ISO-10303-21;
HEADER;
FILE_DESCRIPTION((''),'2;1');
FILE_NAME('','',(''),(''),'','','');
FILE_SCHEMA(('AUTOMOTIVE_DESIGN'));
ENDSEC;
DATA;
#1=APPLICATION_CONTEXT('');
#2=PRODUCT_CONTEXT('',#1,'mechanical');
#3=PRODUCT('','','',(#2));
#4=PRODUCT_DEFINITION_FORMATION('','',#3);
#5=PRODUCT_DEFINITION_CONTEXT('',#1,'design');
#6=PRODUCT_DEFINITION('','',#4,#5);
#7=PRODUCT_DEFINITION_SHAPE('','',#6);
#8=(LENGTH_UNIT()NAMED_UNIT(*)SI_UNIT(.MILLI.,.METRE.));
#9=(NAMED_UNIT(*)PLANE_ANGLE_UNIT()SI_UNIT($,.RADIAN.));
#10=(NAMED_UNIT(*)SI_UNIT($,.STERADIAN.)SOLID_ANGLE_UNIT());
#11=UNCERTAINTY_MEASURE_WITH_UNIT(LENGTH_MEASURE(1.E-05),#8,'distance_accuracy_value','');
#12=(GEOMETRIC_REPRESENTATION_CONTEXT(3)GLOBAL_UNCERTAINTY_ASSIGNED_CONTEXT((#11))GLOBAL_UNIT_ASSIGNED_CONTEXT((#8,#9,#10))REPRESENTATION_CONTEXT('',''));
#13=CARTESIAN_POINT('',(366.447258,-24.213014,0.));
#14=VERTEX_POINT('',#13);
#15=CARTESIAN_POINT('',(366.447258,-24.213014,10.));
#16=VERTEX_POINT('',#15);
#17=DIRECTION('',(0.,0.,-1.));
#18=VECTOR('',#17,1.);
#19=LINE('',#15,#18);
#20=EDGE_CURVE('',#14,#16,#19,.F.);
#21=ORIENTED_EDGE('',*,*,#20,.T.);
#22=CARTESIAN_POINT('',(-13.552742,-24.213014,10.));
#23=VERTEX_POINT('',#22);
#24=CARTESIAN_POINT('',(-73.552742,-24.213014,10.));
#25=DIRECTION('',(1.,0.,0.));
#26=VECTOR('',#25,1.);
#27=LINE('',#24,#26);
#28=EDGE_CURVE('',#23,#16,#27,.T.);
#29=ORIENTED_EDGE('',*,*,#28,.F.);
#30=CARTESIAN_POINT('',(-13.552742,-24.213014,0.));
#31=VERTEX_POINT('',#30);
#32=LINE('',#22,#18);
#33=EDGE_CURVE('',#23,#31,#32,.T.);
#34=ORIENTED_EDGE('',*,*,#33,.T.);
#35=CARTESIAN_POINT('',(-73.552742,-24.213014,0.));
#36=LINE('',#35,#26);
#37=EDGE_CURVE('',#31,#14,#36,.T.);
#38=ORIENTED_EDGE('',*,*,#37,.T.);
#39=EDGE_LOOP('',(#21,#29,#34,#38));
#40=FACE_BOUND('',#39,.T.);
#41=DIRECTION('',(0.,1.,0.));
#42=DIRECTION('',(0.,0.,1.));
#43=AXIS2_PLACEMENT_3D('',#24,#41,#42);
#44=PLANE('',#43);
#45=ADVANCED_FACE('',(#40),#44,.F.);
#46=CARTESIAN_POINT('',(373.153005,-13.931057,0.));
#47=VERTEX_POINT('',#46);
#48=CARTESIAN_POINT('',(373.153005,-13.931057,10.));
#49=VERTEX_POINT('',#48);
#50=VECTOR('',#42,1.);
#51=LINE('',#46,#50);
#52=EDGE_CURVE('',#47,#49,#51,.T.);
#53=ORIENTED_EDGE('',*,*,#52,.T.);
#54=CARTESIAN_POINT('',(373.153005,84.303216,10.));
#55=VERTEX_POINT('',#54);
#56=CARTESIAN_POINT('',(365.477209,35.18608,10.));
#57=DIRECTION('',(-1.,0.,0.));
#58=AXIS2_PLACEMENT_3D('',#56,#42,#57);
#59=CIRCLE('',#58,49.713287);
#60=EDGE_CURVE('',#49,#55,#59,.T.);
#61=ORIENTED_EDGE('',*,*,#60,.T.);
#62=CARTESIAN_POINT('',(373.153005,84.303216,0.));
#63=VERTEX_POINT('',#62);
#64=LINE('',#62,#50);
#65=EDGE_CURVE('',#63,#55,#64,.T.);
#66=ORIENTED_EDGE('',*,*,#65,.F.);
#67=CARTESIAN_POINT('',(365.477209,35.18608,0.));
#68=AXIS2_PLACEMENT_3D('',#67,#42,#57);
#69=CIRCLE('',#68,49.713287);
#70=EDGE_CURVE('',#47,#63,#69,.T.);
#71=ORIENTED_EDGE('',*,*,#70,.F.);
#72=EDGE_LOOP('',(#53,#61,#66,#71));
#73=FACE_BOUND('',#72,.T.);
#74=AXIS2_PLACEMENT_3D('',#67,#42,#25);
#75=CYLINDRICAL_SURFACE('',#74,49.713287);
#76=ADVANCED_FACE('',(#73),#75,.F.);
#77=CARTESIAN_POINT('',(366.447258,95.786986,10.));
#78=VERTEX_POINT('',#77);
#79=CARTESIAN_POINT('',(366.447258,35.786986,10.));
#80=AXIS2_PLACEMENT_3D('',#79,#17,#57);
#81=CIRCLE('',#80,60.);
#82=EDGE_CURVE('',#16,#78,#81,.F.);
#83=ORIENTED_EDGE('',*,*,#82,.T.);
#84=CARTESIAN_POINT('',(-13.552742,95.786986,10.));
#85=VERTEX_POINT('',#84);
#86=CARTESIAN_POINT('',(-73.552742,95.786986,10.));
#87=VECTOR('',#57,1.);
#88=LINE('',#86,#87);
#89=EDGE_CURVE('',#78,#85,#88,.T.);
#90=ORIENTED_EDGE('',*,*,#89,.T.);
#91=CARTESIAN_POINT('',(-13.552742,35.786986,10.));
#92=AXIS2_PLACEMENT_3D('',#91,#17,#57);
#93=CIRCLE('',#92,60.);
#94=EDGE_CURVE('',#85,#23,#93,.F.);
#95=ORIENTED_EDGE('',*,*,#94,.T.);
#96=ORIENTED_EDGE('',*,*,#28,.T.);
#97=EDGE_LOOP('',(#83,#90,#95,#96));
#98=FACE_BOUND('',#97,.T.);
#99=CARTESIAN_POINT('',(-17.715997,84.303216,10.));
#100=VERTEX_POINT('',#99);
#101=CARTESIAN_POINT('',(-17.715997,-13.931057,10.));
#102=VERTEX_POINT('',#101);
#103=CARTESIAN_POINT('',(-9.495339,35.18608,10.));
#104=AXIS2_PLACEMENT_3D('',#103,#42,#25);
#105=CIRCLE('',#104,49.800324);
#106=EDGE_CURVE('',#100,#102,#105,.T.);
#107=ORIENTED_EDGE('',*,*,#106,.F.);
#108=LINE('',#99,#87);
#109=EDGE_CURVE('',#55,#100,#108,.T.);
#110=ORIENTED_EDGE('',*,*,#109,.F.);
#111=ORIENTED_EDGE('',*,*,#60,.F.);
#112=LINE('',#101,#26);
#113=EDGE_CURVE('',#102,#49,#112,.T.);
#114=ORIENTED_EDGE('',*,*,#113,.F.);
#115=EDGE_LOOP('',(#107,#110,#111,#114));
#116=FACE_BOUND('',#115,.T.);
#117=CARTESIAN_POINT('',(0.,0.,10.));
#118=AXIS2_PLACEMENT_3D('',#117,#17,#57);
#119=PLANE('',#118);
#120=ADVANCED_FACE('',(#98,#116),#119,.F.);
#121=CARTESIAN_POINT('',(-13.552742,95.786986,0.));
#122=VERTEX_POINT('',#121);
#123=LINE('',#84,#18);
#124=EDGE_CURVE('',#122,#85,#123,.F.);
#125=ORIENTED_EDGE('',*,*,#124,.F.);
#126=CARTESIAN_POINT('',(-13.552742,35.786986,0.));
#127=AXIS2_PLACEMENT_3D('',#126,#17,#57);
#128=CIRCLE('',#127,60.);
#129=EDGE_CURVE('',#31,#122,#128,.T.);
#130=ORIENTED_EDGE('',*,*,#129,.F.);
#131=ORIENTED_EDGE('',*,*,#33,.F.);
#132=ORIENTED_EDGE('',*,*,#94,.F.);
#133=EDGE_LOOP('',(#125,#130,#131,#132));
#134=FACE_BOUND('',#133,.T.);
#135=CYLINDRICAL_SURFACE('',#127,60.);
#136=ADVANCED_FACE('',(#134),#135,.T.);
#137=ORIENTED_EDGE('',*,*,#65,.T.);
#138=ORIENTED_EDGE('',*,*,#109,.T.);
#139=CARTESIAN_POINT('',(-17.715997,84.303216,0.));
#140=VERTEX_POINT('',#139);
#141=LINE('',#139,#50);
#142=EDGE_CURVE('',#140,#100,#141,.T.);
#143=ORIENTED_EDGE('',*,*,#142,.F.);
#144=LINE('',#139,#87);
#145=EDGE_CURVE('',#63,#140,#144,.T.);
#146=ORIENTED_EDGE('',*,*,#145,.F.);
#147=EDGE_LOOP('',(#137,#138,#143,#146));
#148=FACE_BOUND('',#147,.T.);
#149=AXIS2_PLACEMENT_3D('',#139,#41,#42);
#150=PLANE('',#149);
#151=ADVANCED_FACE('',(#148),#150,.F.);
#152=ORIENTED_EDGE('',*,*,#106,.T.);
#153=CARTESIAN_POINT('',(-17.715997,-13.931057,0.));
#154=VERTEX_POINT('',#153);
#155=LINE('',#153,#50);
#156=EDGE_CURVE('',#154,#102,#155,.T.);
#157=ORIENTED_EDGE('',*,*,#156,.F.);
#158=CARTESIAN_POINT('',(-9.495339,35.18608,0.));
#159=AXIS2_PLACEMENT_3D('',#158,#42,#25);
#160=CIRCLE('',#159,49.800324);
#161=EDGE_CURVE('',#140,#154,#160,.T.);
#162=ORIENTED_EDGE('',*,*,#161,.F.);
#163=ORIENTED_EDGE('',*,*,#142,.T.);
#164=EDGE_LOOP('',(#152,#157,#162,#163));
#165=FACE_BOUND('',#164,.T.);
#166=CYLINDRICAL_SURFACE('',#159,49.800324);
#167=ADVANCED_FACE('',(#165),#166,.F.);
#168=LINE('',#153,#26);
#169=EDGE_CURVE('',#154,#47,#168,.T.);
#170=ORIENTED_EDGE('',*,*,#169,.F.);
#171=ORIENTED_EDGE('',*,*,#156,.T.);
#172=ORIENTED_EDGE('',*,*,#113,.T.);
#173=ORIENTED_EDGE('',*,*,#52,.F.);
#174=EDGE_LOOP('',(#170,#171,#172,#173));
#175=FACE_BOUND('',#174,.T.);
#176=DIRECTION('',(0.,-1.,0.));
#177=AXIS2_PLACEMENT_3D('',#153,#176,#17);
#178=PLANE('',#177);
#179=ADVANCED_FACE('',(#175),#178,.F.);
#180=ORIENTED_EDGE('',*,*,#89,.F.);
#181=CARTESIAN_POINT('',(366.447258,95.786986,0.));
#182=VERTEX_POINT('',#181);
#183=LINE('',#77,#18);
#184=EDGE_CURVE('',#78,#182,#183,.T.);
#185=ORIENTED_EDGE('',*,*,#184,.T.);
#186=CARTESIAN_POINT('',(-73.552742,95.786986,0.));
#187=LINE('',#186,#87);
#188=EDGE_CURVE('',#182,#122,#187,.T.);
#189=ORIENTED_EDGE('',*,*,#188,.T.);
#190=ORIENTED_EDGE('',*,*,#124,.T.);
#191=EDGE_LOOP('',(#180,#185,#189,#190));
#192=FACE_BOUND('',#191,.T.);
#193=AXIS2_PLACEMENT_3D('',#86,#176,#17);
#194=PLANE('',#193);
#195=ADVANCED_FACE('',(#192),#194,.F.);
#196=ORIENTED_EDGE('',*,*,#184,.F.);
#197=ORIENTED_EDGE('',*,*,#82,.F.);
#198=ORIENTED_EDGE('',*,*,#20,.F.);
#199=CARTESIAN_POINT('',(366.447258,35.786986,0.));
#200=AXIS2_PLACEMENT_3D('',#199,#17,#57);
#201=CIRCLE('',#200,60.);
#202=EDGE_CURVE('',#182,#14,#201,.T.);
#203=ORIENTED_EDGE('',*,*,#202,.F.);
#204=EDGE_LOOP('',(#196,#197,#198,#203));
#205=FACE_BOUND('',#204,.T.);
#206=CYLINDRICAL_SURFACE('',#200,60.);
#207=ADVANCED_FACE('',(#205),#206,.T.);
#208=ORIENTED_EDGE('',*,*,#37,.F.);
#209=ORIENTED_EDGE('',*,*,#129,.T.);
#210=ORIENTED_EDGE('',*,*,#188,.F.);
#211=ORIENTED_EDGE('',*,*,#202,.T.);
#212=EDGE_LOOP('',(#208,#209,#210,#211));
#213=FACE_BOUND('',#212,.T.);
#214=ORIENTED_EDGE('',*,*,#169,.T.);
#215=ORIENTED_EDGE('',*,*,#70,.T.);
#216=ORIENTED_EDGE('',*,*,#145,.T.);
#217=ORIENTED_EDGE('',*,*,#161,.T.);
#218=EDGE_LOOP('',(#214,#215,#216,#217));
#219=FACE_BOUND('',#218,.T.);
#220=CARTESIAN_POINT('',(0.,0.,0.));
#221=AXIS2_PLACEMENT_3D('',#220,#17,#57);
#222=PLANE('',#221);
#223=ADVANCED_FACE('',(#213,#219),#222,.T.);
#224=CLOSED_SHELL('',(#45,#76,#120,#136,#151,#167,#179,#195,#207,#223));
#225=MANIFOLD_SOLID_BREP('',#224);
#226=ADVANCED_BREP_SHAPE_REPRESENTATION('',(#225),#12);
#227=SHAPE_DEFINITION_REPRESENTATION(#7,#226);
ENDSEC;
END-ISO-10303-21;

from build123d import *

# Parameters (mm, degrees)
SKETCH_1_W          = 500
SKETCH_1_H          = 120
EXTRUDE_1_DEPTH     = 10
FILLET_8_RADIUS     = 60
FILLET_8_LENGTH     = 10
FILLET_9_RADIUS     = 60
FILLET_9_LENGTH     = 10
CUT_EXTRUDE_1_DEPTH = 10


with BuildPart() as part:
    # 草图1 → 凸台-拉伸1 (new body)
    with BuildSketch(Plane.XY):
        with Locations((176.447257932, 35.78698553)):
            Rectangle(SKETCH_1_W, SKETCH_1_H)
    extrude(amount=EXTRUDE_1_DEPTH)

    # 圆角8: full round fillet: the end face becomes a half cylinder, R = half its width
    fillet_8_face = Plane((-73.552742068, 35.78698553, 5), x_dir=(0, 0, -1), z_dir=(-1, 0, 0))  # on the end face: x along it, z out of the body
    fillet_8_slab = fillet_8_face.offset(-FILLET_8_RADIUS / 2) * Box(FILLET_8_LENGTH, 2 * FILLET_8_RADIUS, FILLET_8_RADIUS, mode=Mode.PRIVATE)  # the body's end, R deep
    fillet_8_round = Plane((-13.552742068, 35.78698553, 5), x_dir=(-1, 0, 0), z_dir=(0, 0, -1)) * Cylinder(FILLET_8_RADIUS, FILLET_8_LENGTH, mode=Mode.PRIVATE)  # its axis R under the face
    add(fillet_8_slab - fillet_8_round, mode=Mode.SUBTRACT)

    # 圆角9: full round fillet: the end face becomes a half cylinder, R = half its width
    fillet_9_face = Plane((426.447257932, 35.78698553, 5), x_dir=(0, 0, 1), z_dir=(1, 0, 0))  # on the end face: x along it, z out of the body
    fillet_9_slab = fillet_9_face.offset(-FILLET_9_RADIUS / 2) * Box(FILLET_9_LENGTH, 2 * FILLET_9_RADIUS, FILLET_9_RADIUS, mode=Mode.PRIVATE)  # the body's end, R deep
    fillet_9_round = Plane((366.447257932, 35.78698553, 5), x_dir=(1, 0, 0), z_dir=(0, 0, 1)) * Cylinder(FILLET_9_RADIUS, FILLET_9_LENGTH, mode=Mode.PRIVATE)  # its axis R under the face
    add(fillet_9_slab - fillet_9_round, mode=Mode.SUBTRACT)

    # 草图4 → 切除-拉伸1 (cut)
    with BuildSketch(Plane.XY.offset(10)):
        with BuildLine():
            Line((-17.715997056, 84.303216301), (373.153004855, 84.303216301))
            ThreePointArc((373.153004855, 84.303216301), (415.190496712, 35.186079817), (373.153004855, -13.931056666))
            Line((373.153004855, -13.931056666), (-17.715997056, -13.931056666))
            ThreePointArc((-17.715997056, -13.931056666), (-59.295663847, 35.186079817), (-17.715997056, 84.303216301))
        make_face()
    extrude(amount=-CUT_EXTRUDE_1_DEPTH, mode=Mode.SUBTRACT)


solid = part.part
